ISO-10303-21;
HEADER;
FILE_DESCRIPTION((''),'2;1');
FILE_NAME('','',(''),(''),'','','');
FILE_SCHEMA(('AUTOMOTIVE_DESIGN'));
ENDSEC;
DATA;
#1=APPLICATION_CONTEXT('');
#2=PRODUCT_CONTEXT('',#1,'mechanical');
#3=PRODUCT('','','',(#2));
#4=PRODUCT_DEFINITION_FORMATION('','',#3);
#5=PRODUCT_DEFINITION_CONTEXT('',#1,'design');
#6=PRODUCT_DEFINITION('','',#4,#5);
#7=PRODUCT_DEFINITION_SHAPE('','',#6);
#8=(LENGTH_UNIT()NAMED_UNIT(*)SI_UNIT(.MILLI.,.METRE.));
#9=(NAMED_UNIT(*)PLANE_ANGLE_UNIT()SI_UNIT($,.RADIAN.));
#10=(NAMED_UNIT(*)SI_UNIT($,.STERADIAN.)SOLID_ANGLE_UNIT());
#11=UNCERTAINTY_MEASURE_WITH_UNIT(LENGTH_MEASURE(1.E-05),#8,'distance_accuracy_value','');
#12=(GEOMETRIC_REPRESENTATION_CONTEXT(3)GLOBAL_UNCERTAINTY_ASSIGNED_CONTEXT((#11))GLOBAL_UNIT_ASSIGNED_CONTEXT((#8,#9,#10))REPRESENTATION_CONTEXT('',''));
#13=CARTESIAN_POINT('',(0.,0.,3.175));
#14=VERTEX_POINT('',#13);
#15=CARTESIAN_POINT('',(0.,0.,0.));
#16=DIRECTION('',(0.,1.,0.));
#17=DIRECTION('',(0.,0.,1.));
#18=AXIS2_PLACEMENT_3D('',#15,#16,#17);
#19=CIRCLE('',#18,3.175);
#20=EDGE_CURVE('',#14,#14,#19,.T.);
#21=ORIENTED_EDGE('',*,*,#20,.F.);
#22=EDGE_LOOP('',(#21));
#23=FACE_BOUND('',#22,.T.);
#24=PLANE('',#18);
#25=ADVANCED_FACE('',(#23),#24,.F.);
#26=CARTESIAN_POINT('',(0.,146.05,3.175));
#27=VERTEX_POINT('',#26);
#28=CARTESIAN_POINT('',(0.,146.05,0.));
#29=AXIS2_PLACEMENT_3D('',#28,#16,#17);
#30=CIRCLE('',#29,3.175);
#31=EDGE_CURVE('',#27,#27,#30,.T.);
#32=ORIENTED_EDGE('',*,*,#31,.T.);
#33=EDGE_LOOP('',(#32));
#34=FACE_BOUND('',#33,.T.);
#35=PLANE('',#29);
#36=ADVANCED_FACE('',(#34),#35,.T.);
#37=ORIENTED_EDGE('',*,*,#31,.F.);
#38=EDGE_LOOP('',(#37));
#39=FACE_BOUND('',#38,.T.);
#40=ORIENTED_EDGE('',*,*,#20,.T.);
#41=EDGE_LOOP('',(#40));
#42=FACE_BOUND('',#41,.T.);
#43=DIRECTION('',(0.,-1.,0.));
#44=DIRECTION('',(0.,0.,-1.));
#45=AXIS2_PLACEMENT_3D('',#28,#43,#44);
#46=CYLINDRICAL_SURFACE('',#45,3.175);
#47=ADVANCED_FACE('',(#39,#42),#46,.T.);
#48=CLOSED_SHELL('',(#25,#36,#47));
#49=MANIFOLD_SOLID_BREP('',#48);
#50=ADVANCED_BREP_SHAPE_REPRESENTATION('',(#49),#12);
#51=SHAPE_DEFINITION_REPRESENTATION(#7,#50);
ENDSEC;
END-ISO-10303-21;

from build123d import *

# Parameters (mm, degrees)
SKETCH1_R           = 3.175
BOSS_EXTRUDE1_DEPTH = 146.05


with BuildPart() as part:
    # Sketch1 → Boss-Extrude1 (new body)
    with BuildSketch(Plane(origin=(0, 0, 0), x_dir=(1, 0, 0), z_dir=(0, 1, 0))):
        Circle(SKETCH1_R)
    extrude(amount=BOSS_EXTRUDE1_DEPTH)


solid = part.part
